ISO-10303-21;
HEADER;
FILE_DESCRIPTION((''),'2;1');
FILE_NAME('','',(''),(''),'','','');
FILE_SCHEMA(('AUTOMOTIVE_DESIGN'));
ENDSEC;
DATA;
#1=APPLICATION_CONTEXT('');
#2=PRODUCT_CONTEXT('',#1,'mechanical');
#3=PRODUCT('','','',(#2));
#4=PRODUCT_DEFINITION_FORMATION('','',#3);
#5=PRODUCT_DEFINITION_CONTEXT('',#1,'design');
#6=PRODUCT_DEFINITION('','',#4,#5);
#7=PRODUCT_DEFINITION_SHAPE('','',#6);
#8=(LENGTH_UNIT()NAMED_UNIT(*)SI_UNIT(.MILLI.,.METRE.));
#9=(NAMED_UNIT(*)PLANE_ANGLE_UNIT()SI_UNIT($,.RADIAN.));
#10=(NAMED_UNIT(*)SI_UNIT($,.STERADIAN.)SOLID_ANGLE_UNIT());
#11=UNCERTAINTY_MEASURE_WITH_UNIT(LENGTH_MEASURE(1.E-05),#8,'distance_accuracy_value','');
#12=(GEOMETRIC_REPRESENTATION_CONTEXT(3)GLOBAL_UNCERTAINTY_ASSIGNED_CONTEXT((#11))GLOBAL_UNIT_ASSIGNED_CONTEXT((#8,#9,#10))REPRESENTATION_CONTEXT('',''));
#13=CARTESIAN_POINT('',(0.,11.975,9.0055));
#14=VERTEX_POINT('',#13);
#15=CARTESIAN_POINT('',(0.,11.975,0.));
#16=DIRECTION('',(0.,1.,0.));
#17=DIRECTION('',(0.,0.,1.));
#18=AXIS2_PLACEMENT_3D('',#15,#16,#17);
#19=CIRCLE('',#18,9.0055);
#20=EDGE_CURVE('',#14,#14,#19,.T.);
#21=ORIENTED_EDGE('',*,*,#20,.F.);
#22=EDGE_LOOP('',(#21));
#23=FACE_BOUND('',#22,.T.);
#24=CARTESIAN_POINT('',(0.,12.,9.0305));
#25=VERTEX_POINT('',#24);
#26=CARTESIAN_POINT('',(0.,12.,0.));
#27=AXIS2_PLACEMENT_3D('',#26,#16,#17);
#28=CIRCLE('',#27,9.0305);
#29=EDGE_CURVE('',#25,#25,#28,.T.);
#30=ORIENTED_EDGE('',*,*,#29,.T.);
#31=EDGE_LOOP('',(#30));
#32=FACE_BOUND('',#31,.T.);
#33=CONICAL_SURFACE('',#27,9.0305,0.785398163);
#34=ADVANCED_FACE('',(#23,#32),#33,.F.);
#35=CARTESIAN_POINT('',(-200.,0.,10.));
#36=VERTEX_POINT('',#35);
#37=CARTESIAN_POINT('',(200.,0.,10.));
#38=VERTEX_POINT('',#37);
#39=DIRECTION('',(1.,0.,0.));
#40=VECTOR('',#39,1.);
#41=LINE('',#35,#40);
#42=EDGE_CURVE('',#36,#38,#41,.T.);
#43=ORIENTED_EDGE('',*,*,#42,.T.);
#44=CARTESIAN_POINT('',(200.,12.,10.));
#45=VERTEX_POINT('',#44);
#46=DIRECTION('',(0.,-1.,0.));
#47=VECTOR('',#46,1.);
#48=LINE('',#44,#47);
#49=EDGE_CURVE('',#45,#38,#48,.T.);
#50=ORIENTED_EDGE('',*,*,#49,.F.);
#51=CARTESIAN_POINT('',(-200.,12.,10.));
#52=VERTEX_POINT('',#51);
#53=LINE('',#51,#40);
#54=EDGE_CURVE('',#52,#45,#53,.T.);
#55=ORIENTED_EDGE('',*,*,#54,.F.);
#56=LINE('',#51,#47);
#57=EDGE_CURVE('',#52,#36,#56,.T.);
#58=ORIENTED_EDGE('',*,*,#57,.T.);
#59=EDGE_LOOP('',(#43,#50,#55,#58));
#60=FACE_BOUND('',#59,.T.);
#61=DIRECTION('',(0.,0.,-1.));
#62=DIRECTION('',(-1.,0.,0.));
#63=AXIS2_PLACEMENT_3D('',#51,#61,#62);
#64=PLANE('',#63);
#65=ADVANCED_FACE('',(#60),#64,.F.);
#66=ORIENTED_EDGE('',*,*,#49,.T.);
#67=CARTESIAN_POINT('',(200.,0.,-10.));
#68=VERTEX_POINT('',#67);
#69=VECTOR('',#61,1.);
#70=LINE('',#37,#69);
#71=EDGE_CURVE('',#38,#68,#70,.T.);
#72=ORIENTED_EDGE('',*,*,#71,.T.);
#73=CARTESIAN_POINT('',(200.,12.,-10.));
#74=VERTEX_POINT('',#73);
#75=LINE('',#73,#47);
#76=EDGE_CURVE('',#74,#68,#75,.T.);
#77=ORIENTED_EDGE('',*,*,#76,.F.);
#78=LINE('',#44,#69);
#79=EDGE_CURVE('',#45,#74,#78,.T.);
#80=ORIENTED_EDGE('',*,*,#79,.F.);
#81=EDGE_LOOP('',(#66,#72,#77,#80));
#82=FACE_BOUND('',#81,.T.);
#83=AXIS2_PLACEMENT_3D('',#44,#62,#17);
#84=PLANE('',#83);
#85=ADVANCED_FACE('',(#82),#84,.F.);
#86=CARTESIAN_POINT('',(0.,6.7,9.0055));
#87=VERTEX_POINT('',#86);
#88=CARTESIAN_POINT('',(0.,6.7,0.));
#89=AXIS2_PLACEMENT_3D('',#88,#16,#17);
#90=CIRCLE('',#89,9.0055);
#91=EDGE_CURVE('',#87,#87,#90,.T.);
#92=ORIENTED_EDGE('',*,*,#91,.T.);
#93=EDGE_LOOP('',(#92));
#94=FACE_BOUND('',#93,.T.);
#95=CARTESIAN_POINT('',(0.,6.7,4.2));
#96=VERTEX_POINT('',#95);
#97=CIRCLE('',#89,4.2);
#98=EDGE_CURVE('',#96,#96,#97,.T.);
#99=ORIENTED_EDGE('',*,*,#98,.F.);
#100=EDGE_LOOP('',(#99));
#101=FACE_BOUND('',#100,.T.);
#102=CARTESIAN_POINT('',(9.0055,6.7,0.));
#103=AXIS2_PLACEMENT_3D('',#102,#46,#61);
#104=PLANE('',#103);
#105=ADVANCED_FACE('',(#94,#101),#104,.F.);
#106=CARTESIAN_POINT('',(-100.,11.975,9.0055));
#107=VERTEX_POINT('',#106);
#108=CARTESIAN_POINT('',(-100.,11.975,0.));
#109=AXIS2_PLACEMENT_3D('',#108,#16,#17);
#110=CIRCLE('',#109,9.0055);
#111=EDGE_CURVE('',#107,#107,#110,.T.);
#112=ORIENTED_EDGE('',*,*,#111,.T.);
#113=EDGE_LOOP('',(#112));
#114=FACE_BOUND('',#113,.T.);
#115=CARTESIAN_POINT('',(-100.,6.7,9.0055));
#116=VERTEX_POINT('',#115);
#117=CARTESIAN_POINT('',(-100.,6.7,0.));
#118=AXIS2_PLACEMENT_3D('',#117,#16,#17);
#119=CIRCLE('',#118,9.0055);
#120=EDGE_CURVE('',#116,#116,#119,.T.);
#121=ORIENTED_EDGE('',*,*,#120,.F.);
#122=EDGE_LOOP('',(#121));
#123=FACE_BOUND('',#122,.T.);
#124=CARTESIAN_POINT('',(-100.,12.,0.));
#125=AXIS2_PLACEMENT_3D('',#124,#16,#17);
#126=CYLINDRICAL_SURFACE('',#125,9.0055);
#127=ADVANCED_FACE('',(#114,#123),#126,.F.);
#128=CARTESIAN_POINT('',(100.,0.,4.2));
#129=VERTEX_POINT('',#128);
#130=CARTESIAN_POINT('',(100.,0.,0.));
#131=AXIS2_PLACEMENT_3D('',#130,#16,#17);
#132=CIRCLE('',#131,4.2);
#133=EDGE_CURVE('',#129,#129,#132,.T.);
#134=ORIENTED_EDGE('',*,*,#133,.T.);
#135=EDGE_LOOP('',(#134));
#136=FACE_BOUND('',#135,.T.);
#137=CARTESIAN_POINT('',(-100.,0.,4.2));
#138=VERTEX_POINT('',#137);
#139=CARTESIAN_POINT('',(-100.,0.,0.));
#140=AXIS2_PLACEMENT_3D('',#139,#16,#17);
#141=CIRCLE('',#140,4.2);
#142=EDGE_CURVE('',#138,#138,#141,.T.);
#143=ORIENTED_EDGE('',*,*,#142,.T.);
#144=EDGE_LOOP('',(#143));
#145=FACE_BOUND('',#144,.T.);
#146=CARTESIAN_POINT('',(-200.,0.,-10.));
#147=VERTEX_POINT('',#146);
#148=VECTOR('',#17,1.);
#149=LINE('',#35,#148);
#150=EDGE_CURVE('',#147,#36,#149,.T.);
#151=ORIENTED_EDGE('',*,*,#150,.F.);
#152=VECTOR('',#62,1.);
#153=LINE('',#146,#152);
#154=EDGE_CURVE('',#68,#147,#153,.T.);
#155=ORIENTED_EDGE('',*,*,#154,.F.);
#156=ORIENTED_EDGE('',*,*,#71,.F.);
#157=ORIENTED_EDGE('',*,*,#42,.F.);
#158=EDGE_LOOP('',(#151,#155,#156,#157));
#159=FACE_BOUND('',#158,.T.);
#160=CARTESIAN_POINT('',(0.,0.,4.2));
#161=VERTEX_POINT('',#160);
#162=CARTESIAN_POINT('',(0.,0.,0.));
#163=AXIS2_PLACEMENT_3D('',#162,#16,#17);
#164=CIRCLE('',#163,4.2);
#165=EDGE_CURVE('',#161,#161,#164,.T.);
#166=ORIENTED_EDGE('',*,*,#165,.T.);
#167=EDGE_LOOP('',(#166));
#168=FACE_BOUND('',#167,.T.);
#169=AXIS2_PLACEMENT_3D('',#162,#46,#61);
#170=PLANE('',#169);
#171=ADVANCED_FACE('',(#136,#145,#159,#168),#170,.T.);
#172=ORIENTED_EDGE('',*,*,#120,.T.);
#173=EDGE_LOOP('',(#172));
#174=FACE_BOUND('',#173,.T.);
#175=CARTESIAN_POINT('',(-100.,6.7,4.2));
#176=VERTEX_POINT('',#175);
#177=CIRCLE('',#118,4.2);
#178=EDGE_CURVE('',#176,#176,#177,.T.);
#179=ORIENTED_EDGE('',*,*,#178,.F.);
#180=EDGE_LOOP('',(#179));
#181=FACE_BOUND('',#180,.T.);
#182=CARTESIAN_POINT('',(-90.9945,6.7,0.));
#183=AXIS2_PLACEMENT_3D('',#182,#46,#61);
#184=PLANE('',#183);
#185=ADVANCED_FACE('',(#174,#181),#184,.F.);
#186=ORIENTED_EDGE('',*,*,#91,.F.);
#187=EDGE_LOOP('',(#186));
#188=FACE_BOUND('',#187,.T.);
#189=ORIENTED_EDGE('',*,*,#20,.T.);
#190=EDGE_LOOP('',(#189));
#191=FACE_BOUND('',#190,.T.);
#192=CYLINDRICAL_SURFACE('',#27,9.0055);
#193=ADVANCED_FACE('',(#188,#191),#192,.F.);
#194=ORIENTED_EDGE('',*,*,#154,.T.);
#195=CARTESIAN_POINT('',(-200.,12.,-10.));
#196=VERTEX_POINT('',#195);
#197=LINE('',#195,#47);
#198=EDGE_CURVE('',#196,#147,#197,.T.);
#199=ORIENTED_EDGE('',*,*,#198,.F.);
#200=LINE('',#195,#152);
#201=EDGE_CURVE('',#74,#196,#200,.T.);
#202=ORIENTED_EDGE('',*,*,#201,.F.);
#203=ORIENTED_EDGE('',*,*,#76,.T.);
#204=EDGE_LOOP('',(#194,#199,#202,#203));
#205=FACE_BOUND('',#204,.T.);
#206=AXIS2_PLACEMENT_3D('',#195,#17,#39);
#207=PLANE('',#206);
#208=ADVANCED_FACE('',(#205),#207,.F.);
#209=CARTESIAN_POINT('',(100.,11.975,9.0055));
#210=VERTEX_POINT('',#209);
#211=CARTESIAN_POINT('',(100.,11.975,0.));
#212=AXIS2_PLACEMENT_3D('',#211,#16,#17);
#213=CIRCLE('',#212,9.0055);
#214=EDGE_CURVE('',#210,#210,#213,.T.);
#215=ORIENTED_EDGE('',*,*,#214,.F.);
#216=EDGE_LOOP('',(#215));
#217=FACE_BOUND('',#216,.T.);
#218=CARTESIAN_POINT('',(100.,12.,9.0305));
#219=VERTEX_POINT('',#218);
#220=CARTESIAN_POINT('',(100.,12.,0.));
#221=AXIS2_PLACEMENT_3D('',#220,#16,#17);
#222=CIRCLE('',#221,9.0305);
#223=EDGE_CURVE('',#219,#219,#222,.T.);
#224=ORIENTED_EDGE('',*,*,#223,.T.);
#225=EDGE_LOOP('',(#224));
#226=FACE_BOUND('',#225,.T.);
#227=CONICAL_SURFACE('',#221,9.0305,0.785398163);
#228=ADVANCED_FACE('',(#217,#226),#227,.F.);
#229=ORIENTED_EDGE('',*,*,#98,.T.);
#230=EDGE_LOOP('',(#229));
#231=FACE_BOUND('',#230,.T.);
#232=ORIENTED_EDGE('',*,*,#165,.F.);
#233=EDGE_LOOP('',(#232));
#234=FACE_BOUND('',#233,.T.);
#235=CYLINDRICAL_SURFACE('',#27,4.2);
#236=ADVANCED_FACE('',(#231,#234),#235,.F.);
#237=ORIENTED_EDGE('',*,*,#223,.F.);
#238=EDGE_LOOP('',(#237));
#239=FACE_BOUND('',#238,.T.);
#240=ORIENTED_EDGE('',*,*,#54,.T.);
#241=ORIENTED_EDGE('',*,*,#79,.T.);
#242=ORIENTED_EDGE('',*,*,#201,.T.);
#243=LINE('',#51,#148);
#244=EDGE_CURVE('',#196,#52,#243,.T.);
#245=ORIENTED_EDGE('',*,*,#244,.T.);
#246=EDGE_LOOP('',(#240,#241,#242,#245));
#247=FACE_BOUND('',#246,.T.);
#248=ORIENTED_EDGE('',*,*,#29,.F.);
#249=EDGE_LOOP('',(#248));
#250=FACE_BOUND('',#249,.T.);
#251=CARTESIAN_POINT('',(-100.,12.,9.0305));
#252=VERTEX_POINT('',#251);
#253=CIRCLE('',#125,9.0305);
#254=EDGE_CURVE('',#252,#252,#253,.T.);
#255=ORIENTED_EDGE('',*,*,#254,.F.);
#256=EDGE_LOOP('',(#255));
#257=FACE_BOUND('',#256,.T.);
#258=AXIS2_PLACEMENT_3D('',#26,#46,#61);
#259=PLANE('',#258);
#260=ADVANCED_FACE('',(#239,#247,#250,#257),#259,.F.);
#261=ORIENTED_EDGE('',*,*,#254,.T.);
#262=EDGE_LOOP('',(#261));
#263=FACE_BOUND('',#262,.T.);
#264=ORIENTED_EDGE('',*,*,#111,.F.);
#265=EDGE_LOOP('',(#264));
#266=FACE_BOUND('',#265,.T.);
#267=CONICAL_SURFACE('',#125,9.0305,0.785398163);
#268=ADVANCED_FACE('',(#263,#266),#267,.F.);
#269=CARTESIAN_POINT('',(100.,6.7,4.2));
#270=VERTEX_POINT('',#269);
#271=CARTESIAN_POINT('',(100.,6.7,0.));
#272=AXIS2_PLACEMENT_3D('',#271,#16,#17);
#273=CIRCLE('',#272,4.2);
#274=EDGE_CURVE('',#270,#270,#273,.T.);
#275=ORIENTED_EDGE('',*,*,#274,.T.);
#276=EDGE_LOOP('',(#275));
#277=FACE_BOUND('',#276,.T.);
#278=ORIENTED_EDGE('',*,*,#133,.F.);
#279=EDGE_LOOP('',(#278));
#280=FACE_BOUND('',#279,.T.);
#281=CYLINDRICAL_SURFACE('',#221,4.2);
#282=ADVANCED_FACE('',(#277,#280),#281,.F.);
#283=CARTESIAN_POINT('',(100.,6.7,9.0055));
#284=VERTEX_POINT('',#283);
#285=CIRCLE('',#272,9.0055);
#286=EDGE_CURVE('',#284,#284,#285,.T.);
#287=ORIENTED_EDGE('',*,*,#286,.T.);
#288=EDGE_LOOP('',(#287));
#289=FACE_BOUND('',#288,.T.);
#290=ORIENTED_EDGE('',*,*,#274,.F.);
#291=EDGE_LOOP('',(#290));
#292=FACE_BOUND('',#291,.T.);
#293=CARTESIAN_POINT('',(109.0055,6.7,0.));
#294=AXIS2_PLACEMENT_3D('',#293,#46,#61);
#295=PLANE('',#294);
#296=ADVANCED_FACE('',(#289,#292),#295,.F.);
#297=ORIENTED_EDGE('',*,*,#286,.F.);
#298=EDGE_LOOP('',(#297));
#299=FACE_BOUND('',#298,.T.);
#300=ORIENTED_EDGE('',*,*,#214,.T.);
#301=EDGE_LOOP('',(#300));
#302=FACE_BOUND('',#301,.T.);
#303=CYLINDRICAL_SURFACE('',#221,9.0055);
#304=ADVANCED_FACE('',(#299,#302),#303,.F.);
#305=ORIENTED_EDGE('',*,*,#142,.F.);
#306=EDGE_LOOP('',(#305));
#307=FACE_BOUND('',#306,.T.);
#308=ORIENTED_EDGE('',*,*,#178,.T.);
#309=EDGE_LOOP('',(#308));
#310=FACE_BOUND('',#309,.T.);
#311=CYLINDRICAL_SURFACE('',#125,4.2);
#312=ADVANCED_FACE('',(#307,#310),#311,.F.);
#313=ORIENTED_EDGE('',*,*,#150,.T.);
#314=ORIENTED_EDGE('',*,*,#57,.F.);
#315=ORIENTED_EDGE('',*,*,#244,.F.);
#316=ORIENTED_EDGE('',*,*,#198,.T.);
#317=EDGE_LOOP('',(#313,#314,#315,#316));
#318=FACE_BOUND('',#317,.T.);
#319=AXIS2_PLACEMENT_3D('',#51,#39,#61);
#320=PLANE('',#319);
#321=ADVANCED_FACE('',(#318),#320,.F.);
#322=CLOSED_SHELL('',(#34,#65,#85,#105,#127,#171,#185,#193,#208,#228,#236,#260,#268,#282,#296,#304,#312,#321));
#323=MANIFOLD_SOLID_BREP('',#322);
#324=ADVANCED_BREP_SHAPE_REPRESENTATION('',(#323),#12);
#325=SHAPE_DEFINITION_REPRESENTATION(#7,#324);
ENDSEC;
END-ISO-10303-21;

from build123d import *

# Parameters (mm, degrees)
SKETCH1_W                              = 400
SKETCH1_H                              = 20
BOSS_EXTRUDE1_DEPTH                    = 12
CBORE_FOR_M8_HEX_HEAD_BOLT1_AT_2_COUNT = 2
CBORE_FOR_M8_HEX_HEAD_BOLT1_AT_2_PITCH = 100
CBORE_FOR_M8_HEX_HEAD_BOLT1_AT_3_COUNT = 2
CBORE_FOR_M8_HEX_HEAD_BOLT1_AT_3_PITCH = 100


with BuildPart() as part:
    # Sketch1 → Boss-Extrude1 (new body)
    with BuildSketch(Plane(origin=(0, 0, 0), x_dir=(1, 0, 0), z_dir=(0, 1, 0))):
        Rectangle(SKETCH1_W, SKETCH1_H)
    extrude(amount=BOSS_EXTRUDE1_DEPTH)

    # Sketch5 → CBORE for M8 Hex Head Bolt1 (revolve, cut)
    with BuildSketch(Plane(origin=(0, 12, 0), x_dir=(0, 0, 1), z_dir=(1, 0, 0))):
        Polygon((0, 0), (0, 12), (4.2, 12), (4.2, 5.3), (9.0055, 5.3), (9.0055, 0.025), (9.0305, 0), align=None)
    cbore_for_m8_hex_head_bolt1 = revolve(axis=Axis((0, 18.35, 0), (0, -1, 0)), mode=Mode.SUBTRACT)

    # CBORE for M8 Hex Head Bolt1 at 2: CBORE for M8 Hex Head Bolt1 ×2
    with Locations(*[(i * CBORE_FOR_M8_HEX_HEAD_BOLT1_AT_2_PITCH, 0, 0) for i in range(1, CBORE_FOR_M8_HEX_HEAD_BOLT1_AT_2_COUNT)]):
        add(cbore_for_m8_hex_head_bolt1, mode=Mode.SUBTRACT)

    # CBORE for M8 Hex Head Bolt1 at 3: CBORE for M8 Hex Head Bolt1 ×2
    with Locations(*[(-i * CBORE_FOR_M8_HEX_HEAD_BOLT1_AT_3_PITCH, 0, 0) for i in range(1, CBORE_FOR_M8_HEX_HEAD_BOLT1_AT_3_COUNT)]):
        add(cbore_for_m8_hex_head_bolt1, mode=Mode.SUBTRACT)


solid = part.part
